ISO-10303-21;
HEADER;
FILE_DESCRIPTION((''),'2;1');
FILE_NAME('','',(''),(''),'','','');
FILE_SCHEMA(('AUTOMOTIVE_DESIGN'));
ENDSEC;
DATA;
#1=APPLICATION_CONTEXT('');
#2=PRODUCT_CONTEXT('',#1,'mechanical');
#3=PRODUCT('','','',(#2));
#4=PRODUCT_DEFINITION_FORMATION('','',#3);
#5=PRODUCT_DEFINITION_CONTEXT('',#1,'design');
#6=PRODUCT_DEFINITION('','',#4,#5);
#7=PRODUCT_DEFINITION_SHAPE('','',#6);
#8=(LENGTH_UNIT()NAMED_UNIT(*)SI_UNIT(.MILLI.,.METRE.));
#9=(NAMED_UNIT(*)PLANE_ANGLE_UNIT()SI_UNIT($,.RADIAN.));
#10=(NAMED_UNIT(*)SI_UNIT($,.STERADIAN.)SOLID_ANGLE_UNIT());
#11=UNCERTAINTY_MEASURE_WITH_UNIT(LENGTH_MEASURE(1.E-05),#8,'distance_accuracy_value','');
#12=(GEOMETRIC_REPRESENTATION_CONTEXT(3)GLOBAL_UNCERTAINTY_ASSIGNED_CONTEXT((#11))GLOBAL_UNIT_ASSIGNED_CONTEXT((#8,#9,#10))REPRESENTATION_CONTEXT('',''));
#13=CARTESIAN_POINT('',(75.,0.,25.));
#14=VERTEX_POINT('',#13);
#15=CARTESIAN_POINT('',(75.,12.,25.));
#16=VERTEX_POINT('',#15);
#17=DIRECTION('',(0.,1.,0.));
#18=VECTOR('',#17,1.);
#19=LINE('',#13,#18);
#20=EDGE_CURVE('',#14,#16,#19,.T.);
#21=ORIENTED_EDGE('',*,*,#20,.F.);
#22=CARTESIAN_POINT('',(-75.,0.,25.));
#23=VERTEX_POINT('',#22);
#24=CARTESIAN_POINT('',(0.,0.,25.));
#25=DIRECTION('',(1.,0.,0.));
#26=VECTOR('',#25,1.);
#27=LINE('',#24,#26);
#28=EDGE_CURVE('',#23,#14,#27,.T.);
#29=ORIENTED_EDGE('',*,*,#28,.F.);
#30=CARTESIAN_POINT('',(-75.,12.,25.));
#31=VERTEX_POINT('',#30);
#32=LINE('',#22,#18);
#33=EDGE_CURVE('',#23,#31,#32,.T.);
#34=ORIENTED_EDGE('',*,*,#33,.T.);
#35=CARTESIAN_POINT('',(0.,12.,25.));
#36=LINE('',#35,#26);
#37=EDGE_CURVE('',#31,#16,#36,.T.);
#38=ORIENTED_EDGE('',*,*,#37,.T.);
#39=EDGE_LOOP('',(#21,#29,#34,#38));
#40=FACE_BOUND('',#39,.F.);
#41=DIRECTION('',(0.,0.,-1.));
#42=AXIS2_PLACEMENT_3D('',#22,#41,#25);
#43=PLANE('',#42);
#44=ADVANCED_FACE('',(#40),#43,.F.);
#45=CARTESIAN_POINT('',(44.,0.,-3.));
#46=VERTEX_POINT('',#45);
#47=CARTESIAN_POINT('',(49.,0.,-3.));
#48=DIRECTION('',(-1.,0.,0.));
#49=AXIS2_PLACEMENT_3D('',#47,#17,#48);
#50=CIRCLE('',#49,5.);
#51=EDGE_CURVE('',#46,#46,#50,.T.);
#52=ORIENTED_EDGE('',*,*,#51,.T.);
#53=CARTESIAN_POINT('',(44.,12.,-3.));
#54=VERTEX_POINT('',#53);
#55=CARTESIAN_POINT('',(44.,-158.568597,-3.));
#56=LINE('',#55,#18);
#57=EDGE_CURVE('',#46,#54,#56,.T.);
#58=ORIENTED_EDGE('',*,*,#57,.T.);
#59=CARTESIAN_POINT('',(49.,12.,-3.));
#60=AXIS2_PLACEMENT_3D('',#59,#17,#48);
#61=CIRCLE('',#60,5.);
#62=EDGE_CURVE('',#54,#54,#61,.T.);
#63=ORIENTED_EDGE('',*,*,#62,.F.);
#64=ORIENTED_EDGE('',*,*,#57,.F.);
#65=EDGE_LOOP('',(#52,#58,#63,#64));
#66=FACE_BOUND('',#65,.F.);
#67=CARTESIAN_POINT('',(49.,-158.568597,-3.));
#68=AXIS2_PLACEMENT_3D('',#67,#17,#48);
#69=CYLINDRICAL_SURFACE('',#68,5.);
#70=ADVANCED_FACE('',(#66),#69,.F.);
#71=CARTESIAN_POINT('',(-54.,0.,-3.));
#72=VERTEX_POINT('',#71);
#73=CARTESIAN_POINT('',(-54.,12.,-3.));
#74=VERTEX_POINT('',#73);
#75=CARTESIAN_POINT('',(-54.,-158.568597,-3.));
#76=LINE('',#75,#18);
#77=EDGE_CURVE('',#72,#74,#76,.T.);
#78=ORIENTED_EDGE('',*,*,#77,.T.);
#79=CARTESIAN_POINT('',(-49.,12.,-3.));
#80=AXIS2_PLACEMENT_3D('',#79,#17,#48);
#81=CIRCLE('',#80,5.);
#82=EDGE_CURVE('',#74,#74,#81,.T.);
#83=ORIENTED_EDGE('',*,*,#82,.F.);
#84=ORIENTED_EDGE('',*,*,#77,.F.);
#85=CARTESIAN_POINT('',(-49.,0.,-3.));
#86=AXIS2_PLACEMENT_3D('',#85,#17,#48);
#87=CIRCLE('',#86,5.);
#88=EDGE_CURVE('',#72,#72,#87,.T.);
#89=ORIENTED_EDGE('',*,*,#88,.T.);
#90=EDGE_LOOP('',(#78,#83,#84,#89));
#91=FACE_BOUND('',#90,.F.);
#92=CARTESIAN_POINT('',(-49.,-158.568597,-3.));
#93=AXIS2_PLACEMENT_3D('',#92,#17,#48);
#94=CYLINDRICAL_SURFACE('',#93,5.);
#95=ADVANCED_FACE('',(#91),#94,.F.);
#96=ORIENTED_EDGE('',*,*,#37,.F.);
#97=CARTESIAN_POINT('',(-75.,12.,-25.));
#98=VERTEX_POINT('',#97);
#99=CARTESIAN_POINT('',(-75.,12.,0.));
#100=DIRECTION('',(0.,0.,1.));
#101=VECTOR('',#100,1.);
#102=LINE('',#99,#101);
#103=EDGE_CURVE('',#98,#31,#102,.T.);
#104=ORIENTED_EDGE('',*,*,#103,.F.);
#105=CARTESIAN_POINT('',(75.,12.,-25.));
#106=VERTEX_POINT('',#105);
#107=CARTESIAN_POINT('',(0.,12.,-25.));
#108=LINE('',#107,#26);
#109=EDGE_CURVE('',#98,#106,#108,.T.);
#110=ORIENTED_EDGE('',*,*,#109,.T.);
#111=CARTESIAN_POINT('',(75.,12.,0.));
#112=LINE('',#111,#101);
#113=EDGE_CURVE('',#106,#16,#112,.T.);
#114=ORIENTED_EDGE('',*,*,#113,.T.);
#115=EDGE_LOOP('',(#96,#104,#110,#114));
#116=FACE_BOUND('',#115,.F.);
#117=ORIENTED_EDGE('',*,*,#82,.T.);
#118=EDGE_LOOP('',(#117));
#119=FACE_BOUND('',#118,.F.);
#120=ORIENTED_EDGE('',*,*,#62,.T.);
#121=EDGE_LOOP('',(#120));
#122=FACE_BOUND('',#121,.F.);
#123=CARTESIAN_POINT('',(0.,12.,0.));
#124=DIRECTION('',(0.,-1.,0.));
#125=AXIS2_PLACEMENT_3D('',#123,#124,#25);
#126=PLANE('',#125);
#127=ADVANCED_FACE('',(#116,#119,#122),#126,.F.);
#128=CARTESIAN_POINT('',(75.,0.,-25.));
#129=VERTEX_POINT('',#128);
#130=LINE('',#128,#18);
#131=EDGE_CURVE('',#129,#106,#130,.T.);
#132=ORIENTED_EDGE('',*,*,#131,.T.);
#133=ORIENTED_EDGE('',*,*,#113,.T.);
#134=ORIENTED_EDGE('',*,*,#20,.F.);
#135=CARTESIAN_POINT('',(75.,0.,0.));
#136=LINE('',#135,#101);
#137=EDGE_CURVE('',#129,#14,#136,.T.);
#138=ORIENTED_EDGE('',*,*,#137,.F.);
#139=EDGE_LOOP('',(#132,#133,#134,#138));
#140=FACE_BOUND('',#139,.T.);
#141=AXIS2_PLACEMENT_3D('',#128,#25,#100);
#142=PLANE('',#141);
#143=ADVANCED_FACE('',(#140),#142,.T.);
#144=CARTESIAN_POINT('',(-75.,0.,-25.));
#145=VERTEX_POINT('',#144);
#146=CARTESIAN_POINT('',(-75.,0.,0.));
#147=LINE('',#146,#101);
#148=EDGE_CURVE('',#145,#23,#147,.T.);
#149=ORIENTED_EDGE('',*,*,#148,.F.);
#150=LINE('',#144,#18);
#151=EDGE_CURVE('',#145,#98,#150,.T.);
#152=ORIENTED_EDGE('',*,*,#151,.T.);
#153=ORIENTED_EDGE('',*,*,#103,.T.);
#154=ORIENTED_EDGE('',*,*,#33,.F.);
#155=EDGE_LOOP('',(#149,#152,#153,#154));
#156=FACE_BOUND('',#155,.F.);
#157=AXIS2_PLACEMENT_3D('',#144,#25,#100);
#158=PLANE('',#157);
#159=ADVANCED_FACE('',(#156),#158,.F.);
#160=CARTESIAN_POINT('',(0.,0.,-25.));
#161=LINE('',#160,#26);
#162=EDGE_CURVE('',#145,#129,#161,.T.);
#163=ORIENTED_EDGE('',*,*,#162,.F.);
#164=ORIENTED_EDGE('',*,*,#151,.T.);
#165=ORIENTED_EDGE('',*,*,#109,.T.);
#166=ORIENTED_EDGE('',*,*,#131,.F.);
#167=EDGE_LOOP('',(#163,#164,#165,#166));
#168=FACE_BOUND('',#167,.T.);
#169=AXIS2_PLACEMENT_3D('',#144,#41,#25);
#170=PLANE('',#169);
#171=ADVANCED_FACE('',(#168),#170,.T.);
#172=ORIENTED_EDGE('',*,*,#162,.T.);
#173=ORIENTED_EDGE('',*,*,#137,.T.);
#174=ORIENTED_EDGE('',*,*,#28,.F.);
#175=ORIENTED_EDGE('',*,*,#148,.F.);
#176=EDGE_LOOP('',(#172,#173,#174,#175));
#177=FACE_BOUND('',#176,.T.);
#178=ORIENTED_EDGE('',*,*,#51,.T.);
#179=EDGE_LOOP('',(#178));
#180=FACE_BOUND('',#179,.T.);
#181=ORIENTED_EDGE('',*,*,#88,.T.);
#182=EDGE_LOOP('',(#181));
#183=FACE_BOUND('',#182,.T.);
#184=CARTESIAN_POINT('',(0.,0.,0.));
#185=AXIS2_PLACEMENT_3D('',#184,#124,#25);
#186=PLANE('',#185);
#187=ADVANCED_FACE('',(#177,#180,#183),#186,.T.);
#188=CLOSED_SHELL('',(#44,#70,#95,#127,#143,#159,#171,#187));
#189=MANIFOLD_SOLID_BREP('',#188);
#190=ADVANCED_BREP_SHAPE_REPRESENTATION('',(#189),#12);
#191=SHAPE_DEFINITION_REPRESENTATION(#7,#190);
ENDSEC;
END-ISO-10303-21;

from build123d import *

# Parameters (mm, degrees)
F0_W     = 150
F0_H     = 50
F1_DEPTH = 12
F2_D     = 10


with BuildPart() as f1:
    # F0 (on Front) → F1 (new body)
    with BuildSketch(Plane.XZ):
        Rectangle(F0_W, F0_H)
    extrude(amount=-F1_DEPTH)

    # F2 (through all)
    with Locations(Plane.XZ):
        with Locations((-49, -3), (49, -3)):
            Hole(F2_D / 2)


solid = f1.part
